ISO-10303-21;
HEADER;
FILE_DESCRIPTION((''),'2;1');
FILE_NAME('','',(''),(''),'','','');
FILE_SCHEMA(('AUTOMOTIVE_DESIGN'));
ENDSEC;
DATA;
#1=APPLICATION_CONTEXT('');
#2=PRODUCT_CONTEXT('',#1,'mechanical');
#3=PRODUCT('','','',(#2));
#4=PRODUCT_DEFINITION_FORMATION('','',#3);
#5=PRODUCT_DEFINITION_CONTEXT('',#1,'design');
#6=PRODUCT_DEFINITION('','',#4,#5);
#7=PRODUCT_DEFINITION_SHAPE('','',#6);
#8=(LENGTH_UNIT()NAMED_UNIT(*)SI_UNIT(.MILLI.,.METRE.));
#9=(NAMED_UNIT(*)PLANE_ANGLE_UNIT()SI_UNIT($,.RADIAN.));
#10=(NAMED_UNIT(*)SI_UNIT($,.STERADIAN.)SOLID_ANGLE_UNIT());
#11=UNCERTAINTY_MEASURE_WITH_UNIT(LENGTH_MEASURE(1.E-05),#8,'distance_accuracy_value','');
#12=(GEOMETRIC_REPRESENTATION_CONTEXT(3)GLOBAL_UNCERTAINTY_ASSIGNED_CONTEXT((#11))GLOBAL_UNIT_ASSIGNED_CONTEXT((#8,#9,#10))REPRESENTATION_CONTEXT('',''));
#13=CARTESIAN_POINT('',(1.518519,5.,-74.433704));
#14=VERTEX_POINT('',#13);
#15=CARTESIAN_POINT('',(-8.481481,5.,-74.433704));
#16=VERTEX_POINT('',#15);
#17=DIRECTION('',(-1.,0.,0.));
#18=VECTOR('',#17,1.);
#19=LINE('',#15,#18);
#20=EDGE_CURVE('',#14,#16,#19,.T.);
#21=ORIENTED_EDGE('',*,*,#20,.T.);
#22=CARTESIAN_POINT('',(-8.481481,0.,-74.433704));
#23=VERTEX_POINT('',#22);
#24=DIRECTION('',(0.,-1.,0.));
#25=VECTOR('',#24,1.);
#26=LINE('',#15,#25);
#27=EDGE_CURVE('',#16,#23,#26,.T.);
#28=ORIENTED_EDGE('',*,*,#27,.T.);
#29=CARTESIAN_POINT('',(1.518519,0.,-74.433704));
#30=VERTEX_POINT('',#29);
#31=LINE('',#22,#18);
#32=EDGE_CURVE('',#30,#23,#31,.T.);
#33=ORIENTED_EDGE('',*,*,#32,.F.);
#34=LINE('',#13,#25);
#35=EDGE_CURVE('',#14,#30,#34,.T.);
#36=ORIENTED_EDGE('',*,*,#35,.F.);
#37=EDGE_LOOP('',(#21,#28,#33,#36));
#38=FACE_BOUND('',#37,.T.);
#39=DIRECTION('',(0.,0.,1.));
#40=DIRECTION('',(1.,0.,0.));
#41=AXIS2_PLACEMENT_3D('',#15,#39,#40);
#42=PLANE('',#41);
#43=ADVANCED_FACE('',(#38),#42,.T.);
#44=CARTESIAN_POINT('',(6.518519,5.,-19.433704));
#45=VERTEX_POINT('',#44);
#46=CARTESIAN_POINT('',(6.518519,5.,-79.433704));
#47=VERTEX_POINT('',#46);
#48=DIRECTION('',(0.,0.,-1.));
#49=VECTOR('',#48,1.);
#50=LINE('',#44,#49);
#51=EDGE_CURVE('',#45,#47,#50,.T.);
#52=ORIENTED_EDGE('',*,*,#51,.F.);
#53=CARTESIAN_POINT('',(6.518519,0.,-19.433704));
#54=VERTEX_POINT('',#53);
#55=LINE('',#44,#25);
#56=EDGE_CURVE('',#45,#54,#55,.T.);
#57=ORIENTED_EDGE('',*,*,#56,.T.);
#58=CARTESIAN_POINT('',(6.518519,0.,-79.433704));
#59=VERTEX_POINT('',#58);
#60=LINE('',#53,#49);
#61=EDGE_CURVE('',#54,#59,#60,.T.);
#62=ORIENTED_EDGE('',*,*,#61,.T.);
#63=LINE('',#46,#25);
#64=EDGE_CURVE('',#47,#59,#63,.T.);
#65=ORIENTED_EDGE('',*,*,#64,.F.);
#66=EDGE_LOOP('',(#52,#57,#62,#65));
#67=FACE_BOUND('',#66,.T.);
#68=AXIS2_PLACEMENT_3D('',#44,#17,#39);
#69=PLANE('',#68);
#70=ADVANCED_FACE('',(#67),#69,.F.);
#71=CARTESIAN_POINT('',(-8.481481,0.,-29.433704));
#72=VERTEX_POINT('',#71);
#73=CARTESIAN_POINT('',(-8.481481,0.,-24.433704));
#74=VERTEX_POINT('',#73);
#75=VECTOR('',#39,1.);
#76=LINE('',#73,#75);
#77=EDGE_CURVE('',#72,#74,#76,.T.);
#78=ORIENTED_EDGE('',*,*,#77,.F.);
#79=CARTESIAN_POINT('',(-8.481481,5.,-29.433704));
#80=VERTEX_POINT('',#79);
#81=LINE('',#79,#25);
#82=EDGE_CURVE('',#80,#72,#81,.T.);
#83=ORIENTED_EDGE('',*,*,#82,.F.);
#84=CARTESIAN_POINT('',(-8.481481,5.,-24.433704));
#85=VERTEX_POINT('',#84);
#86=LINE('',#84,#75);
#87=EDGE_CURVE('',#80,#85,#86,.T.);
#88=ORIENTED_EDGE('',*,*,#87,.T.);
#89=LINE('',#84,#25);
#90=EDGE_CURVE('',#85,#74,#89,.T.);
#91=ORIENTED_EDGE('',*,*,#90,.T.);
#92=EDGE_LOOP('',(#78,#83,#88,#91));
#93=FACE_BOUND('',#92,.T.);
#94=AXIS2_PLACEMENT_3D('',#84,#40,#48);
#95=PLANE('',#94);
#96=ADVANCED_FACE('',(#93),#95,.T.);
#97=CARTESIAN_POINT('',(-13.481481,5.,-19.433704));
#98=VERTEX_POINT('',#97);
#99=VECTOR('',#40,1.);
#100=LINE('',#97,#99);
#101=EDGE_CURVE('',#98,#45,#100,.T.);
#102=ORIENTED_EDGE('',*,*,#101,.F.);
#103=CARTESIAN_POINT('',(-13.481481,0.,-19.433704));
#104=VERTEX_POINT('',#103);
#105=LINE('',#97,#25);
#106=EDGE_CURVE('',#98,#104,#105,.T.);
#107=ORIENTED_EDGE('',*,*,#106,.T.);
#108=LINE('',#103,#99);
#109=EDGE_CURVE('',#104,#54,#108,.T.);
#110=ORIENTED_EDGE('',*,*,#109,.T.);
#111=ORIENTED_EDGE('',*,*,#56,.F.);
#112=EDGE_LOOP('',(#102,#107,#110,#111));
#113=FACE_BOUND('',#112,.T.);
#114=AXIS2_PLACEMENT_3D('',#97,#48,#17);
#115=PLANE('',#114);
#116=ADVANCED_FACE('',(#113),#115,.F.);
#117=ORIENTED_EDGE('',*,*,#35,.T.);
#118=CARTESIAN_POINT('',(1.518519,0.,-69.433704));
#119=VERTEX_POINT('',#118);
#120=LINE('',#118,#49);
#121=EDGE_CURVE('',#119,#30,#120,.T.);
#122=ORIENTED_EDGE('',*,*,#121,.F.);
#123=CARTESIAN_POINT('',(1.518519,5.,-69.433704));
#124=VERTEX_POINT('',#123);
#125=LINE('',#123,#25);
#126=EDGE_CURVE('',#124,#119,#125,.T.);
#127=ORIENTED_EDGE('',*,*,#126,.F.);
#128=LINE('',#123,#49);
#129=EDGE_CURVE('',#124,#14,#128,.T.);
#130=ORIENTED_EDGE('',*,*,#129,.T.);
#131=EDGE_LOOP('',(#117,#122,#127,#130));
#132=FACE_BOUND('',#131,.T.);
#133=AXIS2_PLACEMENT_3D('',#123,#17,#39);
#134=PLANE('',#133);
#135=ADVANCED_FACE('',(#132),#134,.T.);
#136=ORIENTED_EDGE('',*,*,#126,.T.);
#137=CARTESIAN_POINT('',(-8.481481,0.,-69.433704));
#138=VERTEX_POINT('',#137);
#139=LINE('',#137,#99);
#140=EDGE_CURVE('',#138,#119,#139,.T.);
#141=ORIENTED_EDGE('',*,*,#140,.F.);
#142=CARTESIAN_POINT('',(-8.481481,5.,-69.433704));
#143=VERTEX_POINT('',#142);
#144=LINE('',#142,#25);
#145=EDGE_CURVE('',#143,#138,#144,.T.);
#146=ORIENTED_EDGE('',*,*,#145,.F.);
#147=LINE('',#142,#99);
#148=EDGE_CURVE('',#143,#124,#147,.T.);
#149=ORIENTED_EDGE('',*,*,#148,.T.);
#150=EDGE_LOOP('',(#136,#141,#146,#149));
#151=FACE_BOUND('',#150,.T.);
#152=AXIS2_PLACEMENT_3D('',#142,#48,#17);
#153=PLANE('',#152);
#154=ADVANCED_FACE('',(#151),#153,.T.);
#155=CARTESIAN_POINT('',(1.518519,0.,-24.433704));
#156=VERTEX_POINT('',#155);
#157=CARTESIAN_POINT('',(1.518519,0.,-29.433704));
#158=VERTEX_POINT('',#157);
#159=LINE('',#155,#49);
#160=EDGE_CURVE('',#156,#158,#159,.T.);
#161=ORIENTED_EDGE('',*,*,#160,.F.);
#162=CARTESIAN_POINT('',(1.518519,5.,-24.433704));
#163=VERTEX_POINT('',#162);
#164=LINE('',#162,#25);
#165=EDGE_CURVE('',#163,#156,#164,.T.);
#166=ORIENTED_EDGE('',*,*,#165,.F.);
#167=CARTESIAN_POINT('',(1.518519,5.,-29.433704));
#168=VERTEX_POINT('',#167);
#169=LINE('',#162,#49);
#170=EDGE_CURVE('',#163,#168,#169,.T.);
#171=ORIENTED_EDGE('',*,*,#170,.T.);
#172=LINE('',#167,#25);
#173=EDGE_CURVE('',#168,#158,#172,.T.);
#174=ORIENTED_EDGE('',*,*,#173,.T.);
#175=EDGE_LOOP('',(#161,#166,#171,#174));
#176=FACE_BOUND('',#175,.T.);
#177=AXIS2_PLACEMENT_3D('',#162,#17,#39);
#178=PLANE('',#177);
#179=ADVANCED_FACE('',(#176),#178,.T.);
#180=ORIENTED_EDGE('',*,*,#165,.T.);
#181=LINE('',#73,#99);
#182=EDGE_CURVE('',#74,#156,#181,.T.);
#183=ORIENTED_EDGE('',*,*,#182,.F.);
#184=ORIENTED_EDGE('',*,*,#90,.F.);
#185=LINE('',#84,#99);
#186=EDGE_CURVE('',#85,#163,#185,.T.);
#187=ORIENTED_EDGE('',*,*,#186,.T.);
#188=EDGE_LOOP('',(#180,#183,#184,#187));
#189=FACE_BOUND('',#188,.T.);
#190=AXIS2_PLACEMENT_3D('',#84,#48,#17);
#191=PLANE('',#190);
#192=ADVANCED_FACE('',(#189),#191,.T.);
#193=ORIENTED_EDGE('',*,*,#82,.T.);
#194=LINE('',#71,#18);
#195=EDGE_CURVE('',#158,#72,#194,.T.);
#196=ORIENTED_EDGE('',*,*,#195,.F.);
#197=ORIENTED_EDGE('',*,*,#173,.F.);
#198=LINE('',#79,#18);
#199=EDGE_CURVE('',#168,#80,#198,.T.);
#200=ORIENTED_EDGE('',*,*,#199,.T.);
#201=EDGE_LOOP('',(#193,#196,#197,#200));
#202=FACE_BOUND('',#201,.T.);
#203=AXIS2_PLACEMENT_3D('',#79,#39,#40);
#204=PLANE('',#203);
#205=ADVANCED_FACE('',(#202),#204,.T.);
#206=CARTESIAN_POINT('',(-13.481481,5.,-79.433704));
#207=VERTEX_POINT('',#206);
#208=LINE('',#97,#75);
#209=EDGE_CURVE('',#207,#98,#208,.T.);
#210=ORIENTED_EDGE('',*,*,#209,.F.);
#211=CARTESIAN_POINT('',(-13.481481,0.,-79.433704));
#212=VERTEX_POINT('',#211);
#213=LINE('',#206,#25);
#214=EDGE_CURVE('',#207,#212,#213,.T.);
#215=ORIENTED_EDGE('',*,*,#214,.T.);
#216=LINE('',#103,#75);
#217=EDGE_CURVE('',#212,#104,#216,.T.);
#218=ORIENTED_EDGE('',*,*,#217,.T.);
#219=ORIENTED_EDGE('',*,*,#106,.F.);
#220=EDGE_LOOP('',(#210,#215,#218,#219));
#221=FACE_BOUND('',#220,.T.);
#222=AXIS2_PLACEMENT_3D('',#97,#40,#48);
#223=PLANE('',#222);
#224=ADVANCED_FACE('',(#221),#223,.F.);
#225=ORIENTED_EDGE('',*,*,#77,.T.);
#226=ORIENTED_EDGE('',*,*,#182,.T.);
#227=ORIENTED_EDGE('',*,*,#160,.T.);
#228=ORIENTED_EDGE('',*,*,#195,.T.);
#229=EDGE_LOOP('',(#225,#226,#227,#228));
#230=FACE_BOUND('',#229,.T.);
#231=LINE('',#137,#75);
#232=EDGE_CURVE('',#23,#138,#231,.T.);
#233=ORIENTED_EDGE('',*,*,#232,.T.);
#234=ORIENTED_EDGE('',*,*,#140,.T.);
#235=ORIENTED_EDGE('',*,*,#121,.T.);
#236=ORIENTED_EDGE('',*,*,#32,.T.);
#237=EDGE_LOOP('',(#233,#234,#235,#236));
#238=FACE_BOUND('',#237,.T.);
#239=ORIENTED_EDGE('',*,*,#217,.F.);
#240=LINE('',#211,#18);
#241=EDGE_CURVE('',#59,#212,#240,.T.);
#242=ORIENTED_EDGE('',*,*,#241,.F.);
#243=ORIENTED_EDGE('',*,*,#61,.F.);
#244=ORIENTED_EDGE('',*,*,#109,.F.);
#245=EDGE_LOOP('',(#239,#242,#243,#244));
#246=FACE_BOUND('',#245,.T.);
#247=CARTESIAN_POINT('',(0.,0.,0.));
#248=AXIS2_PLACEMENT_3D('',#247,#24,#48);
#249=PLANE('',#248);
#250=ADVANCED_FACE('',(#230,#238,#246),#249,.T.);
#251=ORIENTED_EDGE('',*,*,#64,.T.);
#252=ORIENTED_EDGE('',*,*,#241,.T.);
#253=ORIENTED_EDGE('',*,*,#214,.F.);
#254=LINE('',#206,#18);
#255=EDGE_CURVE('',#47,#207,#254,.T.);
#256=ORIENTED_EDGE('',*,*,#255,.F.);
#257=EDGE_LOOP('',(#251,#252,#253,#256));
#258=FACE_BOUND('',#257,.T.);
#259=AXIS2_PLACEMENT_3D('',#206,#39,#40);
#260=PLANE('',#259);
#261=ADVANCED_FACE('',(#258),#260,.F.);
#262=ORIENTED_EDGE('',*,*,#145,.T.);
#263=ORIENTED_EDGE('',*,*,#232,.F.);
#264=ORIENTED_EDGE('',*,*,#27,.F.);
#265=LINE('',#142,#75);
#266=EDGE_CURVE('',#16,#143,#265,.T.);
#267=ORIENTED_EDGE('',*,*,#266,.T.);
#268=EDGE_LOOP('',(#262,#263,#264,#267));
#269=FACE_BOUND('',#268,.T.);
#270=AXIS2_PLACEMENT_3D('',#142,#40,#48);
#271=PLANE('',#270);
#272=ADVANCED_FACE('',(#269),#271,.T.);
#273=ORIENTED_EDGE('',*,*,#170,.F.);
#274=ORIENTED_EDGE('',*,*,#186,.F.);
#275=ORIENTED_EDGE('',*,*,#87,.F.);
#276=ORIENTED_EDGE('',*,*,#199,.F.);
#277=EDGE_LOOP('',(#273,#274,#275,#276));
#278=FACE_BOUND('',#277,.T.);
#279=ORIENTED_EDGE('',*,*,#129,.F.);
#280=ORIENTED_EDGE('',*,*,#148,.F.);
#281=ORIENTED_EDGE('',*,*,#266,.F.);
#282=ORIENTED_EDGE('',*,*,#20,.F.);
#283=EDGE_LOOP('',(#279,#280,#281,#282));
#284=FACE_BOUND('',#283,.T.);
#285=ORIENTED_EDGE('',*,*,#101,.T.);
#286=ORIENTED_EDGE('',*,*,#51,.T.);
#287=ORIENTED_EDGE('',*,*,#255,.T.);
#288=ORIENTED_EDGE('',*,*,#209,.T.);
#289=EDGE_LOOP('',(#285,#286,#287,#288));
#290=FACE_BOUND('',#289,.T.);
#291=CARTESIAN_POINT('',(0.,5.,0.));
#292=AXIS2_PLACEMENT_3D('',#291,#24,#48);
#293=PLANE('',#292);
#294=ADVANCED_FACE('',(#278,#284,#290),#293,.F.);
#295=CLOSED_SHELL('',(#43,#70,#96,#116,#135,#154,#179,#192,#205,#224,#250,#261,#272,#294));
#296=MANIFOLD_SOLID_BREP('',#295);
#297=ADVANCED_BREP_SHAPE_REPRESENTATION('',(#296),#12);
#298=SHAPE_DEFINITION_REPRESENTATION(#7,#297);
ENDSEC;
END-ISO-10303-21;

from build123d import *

# Parameters (mm, degrees)
SKETCH1_W           = 20
SKETCH1_H           = 60
SKETCH1_W_2         = 10
SKETCH1_H_2         = 5
BOSS_EXTRUDE1_DEPTH = 5


with BuildPart() as part:
    # Sketch1 → Boss-Extrude1 (new body)
    with BuildSketch(Plane(origin=(0, 0, 0), x_dir=(1, 0, 0), z_dir=(0, 1, 0))):
        with Locations((-3.481481481, 49.433703704)):
            Rectangle(SKETCH1_W, SKETCH1_H)
        with Locations((-3.481481481, 26.933703704)):
            Rectangle(SKETCH1_W_2, SKETCH1_H_2, mode=Mode.SUBTRACT)
        with Locations((-3.481481481, 71.933703704)):
            Rectangle(SKETCH1_W_2, SKETCH1_H_2, mode=Mode.SUBTRACT)
    extrude(amount=BOSS_EXTRUDE1_DEPTH)


solid = part.part
